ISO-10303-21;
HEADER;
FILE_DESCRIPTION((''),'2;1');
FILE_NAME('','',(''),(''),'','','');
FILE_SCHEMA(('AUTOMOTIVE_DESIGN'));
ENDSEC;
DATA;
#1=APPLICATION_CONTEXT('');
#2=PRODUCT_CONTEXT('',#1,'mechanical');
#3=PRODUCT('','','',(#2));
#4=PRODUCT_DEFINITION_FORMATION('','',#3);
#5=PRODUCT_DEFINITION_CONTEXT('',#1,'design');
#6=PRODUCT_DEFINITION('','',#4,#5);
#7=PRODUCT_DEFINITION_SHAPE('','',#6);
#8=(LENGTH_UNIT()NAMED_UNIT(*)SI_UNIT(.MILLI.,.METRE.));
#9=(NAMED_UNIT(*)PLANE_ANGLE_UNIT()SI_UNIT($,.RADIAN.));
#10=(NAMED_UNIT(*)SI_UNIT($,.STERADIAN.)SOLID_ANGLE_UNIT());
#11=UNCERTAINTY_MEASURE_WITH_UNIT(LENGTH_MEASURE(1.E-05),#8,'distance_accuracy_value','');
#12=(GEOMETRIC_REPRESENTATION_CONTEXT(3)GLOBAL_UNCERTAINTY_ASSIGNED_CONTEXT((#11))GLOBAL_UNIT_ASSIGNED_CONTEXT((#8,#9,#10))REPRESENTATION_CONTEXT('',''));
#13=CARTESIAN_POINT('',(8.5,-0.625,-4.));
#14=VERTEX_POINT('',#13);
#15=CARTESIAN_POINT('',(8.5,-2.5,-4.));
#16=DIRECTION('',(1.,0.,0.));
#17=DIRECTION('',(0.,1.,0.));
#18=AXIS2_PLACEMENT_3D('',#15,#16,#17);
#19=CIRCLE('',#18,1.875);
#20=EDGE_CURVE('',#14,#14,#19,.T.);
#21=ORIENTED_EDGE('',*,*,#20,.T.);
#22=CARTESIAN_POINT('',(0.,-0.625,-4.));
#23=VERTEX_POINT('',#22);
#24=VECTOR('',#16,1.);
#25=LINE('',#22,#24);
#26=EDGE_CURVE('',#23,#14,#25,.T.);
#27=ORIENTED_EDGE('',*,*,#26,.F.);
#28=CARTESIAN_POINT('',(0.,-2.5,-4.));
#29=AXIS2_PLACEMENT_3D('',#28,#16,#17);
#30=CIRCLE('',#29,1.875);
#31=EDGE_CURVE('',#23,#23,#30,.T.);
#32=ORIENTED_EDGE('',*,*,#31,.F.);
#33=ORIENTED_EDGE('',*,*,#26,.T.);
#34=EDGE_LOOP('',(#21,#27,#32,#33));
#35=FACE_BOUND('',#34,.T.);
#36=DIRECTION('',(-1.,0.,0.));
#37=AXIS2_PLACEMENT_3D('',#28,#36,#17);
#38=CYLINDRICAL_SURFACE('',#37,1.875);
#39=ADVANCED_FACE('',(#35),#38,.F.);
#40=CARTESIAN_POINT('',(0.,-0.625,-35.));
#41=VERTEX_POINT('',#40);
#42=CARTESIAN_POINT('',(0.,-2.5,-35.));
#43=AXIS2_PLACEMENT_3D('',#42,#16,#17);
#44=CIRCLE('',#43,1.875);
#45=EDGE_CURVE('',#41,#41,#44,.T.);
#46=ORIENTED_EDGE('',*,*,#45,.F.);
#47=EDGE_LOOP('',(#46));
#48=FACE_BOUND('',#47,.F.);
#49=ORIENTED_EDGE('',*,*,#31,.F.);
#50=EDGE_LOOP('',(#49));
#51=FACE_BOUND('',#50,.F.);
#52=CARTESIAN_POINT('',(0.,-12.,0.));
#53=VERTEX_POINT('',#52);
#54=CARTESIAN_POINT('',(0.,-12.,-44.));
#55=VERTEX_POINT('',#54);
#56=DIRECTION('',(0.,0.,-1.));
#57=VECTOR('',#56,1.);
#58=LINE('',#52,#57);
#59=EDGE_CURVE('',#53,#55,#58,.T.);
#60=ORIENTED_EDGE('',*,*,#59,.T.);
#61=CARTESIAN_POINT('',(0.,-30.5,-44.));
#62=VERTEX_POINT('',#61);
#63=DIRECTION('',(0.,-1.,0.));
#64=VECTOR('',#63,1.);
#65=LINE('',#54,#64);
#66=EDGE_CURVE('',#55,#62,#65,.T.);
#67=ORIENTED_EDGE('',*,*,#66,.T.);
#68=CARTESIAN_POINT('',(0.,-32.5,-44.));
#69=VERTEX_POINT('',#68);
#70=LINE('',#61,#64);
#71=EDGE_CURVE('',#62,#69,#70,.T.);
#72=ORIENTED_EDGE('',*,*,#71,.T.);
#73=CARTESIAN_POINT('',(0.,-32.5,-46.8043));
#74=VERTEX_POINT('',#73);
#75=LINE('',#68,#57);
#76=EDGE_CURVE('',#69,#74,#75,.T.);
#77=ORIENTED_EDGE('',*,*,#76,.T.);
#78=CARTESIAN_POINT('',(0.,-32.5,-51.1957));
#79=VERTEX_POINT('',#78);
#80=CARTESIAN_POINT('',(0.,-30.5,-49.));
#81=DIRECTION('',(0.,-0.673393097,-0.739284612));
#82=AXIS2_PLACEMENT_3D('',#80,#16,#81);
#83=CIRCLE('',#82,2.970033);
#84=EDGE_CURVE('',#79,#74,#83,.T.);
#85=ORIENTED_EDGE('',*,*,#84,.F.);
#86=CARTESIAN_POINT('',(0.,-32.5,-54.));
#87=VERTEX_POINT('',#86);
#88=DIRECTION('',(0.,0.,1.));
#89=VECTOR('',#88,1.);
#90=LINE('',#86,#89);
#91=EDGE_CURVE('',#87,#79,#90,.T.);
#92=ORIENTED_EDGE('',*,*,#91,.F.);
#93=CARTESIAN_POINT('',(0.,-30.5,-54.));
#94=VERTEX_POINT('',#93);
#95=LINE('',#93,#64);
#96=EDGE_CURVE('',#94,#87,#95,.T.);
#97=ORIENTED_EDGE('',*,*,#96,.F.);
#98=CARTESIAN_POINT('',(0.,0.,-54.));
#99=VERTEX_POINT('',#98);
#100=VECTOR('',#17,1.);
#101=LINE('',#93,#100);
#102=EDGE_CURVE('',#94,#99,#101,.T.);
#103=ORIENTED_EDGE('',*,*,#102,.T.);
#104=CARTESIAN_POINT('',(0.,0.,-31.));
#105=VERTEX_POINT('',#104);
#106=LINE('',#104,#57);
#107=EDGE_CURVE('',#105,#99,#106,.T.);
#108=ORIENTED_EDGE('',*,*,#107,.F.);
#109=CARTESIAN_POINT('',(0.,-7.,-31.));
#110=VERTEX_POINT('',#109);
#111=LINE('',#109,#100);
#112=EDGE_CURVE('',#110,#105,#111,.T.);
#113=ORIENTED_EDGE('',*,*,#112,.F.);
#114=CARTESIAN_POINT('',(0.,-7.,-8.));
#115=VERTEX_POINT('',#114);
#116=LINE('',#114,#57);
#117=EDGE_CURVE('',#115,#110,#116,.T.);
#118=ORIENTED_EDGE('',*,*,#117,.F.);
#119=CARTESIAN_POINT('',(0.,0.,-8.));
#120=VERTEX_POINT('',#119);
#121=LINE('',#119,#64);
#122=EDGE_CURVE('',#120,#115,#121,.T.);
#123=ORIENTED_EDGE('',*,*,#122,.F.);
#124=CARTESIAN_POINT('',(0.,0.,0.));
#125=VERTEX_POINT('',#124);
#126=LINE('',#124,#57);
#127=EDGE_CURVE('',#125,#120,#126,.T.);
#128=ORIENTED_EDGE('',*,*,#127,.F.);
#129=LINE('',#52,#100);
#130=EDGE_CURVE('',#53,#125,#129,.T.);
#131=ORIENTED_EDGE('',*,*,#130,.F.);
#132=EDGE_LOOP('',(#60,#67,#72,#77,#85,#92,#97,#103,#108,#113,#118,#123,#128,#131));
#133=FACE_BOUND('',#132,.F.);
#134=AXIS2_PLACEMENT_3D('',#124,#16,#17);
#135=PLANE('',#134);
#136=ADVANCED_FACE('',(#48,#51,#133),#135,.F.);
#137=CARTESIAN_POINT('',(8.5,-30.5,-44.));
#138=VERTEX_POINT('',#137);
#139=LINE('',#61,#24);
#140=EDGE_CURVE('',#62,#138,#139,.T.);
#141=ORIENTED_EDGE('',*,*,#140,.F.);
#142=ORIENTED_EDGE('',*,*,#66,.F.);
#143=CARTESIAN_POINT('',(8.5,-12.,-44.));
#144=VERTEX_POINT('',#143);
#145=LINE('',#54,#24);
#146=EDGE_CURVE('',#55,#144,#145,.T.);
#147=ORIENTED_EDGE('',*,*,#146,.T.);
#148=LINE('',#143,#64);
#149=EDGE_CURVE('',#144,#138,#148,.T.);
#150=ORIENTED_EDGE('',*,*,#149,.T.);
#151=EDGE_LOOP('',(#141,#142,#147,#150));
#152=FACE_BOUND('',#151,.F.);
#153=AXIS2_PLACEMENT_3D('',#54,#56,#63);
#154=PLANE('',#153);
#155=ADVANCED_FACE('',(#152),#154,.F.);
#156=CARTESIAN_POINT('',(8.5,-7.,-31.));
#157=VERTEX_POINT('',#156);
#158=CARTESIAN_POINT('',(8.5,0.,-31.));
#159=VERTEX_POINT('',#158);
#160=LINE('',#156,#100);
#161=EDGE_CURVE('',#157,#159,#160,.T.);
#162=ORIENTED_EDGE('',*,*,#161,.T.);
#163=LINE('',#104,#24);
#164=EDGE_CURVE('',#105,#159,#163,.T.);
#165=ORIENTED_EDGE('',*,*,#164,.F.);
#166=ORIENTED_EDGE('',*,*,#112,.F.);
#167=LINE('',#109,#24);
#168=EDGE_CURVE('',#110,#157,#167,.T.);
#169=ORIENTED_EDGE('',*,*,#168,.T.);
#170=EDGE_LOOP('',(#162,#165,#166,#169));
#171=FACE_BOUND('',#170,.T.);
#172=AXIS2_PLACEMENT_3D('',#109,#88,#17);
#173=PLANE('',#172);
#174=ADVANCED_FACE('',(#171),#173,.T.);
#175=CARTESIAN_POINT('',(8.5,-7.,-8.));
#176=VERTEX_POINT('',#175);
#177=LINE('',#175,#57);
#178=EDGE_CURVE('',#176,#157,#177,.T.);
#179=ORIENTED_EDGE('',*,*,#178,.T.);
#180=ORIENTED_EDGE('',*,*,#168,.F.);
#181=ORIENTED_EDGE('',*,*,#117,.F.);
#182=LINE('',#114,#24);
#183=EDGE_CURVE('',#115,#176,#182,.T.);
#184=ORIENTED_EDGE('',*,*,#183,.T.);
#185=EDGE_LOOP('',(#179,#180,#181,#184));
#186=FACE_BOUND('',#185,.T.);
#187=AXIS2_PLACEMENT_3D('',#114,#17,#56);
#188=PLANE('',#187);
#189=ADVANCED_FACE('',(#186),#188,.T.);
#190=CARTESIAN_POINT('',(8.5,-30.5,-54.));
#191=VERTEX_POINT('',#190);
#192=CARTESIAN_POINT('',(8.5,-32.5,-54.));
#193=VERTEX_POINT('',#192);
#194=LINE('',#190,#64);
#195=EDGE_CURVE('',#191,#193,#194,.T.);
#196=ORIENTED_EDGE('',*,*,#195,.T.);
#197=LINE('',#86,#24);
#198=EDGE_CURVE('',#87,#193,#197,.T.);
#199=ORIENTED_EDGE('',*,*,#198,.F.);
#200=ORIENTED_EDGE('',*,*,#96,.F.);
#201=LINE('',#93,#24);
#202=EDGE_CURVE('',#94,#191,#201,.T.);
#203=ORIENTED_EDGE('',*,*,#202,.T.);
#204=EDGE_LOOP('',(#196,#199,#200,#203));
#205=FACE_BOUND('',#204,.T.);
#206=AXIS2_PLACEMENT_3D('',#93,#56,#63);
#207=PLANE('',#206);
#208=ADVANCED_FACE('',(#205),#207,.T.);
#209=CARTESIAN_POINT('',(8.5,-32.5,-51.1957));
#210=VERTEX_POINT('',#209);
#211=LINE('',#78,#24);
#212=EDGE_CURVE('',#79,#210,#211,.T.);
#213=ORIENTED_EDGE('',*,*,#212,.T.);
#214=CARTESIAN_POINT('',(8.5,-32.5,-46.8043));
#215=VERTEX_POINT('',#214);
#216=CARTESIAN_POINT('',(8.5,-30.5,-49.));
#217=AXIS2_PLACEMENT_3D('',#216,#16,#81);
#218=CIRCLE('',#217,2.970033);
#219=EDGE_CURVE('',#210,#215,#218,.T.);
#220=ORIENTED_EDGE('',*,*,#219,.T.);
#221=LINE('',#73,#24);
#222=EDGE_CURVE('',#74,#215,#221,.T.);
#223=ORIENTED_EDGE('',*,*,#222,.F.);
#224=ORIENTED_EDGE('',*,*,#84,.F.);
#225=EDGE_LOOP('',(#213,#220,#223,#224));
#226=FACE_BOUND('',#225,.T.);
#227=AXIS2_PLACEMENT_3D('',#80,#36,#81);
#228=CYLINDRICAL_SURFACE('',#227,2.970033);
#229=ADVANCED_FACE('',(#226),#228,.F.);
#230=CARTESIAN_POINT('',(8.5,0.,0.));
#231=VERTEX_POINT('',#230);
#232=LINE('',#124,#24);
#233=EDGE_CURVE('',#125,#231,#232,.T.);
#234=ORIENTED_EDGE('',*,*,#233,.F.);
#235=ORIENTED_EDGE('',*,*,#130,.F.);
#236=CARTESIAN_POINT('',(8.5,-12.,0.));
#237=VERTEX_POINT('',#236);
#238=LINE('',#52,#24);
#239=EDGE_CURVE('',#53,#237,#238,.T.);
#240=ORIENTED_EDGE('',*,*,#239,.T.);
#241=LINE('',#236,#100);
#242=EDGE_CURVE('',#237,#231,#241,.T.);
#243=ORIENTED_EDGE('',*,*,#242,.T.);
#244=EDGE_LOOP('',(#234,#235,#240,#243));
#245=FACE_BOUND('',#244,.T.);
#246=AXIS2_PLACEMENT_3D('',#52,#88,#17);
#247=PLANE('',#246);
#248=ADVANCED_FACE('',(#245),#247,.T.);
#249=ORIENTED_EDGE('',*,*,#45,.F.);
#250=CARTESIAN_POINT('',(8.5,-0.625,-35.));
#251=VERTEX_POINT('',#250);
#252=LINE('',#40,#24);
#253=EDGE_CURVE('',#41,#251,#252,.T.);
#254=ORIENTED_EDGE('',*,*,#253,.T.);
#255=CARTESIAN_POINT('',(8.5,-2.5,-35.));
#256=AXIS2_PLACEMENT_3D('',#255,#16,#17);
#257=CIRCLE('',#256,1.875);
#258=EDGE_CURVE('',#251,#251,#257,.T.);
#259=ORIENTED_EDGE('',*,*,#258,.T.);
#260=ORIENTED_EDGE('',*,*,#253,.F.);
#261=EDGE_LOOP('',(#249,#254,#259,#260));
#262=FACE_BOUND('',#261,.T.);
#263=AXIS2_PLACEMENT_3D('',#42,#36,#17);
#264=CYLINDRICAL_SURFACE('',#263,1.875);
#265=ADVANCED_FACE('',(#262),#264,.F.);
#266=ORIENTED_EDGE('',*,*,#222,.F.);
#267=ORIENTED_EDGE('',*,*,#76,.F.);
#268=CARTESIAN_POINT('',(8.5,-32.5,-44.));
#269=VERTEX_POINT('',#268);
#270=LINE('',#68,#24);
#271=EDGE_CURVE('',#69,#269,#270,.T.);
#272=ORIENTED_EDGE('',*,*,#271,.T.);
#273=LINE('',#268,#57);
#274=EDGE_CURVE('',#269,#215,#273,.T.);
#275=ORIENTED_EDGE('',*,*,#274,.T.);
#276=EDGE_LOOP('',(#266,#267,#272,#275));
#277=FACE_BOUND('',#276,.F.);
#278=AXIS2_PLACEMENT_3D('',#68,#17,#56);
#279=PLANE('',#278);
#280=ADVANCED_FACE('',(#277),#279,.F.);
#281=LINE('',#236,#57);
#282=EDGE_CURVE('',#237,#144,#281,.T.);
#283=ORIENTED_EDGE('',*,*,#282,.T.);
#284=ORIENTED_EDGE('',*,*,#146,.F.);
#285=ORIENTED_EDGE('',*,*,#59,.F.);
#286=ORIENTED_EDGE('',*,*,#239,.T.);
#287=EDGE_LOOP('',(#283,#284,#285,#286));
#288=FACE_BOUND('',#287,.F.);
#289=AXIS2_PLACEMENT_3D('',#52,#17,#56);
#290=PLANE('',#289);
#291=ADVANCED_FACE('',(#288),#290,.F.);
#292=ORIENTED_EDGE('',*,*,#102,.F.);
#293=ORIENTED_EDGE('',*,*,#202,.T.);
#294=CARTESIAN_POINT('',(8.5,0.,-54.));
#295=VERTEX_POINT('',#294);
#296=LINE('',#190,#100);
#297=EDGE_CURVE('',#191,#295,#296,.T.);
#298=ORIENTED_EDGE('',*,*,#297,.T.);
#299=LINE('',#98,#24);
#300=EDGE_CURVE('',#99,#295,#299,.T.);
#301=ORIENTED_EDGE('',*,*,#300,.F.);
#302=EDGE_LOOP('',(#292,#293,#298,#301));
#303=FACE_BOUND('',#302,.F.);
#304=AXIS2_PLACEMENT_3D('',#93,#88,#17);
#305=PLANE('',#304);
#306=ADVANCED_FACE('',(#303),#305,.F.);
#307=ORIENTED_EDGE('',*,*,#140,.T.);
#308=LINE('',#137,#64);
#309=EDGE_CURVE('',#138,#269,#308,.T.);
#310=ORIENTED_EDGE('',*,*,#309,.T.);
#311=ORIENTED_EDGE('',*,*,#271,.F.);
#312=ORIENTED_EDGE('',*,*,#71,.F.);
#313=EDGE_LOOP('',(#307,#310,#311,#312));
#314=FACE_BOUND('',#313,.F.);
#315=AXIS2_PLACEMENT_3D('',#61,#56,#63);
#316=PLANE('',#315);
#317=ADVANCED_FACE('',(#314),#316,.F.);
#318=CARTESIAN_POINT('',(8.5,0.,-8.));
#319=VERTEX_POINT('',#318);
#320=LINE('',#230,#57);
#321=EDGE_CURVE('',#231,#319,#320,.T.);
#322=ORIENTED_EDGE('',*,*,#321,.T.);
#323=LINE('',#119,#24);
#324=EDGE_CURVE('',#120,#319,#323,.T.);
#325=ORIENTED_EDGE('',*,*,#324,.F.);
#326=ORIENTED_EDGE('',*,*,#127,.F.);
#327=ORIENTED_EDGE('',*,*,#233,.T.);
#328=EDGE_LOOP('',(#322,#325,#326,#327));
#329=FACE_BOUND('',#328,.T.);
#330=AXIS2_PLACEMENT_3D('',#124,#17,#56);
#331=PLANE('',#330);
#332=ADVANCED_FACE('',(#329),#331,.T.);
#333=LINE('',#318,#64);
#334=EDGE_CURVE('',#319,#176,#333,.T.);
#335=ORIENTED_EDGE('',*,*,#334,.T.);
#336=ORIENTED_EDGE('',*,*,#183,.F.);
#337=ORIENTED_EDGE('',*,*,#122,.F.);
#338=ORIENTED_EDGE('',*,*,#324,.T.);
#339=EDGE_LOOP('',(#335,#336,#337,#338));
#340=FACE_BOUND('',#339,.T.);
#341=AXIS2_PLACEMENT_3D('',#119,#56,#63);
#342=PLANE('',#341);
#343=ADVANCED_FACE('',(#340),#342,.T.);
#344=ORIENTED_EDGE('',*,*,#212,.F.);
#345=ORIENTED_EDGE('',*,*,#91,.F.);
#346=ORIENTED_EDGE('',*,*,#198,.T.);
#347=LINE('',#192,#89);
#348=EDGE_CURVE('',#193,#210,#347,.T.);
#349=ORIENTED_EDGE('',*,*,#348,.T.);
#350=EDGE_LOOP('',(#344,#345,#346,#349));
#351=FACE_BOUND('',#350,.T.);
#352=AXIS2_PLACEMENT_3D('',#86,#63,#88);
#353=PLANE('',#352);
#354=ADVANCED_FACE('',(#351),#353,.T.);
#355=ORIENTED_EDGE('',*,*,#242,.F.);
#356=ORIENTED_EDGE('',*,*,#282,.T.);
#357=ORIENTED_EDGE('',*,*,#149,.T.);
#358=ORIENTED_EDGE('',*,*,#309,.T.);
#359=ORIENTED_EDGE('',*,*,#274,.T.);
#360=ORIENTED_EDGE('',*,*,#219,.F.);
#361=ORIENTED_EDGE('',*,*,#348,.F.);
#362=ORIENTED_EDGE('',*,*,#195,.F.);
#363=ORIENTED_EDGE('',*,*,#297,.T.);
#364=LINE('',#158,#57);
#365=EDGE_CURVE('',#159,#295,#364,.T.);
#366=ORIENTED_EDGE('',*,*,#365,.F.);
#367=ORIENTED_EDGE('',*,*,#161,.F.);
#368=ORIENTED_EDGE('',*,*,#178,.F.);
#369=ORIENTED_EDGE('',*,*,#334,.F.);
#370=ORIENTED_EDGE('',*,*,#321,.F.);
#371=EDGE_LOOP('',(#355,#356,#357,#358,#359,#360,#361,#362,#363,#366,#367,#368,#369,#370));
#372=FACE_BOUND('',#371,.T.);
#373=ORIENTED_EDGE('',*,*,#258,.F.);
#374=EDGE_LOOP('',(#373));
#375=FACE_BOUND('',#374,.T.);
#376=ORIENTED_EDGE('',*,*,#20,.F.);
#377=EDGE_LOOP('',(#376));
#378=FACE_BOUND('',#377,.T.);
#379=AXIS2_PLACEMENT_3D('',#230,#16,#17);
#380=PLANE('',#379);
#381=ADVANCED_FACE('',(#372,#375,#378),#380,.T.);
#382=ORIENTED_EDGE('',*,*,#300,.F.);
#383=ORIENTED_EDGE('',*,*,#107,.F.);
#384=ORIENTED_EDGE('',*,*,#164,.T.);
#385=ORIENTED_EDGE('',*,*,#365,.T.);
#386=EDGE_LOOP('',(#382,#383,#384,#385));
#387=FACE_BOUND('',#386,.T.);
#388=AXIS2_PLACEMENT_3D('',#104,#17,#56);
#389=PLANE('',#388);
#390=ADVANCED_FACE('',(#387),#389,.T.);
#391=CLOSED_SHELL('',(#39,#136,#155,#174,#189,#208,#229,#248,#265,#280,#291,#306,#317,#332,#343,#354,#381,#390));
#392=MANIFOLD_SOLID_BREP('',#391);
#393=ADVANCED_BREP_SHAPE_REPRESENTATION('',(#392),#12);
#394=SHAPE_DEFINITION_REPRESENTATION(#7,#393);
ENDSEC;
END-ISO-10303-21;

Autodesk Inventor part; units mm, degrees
ref_plane "YZ Plane" through (0, 0, 0) normal (1, 0, 0) x (0, 1, 0)
ref_plane "XZ Plane" through (0, 0, 0) normal (0, 1, 0) x (-1, 0, 0)
ref_plane "XY Plane" through (0, 0, 0) normal (0, 0, 1) x (1, 0, 0)
sketch "Sketch1" plane through (0, 0, 0) normal (1, 0, 0) x (0, 1, 0)
  line L0 (0, 0) -> (0, -8)
  line L1 (0, -8) -> (-7, -8)
  line L2 (-7, -8) -> (-7, -31)
  line L3 (-7, -31) -> (0, -31)
  line L4 (-12, 0) -> (0, 0)
  line L5 (0, -4) -> (-2.5, -4) construction
  circle A0 centre (-2.5, -4) radius 1.875
  line L6 (0, -31) -> (-2.5, -31) construction
  line L7 (-2.5, -31) -> (-2.5, -35) construction
  circle A1 centre (-2.5, -35) radius 1.875
  line L8 (-30.5, -54) -> (0, -54)
  arc A2 (-32.5, -51.1957) -> (-32.5, -46.8043) centre (-30.5, -49) ccw
  line L9 (-30.5, -44) -> (-32.5, -44)
  line L10 (-32.5, -44) -> (-32.5, -46.8043)
  line L11 (-30.5, -54) -> (-32.5, -54)
  line L12 (-32.5, -54) -> (-32.5, -51.1957)
  line L13 (-12, -44) -> (-30.5, -44)
  line L14 (0, -31) -> (0, -54)
  line L15 (-12, 0) -> (-12, -44)
  dimension "d0" = 8
  dimension "d1" = 7
  dimension "d2" = 23
  dimension "d5" = 2.5
  dimension "d6" = 3.75
  dimension "d7" = 4
  dimension "d8" = 3.75
  dimension "d10" = 30.5
  dimension "d11" = 10
  dimension "d13" = 2
extrude "Extrusion1" add sketch "Sketch1" along normal blind 8.5
properties part number "Laser_Holder_1"
